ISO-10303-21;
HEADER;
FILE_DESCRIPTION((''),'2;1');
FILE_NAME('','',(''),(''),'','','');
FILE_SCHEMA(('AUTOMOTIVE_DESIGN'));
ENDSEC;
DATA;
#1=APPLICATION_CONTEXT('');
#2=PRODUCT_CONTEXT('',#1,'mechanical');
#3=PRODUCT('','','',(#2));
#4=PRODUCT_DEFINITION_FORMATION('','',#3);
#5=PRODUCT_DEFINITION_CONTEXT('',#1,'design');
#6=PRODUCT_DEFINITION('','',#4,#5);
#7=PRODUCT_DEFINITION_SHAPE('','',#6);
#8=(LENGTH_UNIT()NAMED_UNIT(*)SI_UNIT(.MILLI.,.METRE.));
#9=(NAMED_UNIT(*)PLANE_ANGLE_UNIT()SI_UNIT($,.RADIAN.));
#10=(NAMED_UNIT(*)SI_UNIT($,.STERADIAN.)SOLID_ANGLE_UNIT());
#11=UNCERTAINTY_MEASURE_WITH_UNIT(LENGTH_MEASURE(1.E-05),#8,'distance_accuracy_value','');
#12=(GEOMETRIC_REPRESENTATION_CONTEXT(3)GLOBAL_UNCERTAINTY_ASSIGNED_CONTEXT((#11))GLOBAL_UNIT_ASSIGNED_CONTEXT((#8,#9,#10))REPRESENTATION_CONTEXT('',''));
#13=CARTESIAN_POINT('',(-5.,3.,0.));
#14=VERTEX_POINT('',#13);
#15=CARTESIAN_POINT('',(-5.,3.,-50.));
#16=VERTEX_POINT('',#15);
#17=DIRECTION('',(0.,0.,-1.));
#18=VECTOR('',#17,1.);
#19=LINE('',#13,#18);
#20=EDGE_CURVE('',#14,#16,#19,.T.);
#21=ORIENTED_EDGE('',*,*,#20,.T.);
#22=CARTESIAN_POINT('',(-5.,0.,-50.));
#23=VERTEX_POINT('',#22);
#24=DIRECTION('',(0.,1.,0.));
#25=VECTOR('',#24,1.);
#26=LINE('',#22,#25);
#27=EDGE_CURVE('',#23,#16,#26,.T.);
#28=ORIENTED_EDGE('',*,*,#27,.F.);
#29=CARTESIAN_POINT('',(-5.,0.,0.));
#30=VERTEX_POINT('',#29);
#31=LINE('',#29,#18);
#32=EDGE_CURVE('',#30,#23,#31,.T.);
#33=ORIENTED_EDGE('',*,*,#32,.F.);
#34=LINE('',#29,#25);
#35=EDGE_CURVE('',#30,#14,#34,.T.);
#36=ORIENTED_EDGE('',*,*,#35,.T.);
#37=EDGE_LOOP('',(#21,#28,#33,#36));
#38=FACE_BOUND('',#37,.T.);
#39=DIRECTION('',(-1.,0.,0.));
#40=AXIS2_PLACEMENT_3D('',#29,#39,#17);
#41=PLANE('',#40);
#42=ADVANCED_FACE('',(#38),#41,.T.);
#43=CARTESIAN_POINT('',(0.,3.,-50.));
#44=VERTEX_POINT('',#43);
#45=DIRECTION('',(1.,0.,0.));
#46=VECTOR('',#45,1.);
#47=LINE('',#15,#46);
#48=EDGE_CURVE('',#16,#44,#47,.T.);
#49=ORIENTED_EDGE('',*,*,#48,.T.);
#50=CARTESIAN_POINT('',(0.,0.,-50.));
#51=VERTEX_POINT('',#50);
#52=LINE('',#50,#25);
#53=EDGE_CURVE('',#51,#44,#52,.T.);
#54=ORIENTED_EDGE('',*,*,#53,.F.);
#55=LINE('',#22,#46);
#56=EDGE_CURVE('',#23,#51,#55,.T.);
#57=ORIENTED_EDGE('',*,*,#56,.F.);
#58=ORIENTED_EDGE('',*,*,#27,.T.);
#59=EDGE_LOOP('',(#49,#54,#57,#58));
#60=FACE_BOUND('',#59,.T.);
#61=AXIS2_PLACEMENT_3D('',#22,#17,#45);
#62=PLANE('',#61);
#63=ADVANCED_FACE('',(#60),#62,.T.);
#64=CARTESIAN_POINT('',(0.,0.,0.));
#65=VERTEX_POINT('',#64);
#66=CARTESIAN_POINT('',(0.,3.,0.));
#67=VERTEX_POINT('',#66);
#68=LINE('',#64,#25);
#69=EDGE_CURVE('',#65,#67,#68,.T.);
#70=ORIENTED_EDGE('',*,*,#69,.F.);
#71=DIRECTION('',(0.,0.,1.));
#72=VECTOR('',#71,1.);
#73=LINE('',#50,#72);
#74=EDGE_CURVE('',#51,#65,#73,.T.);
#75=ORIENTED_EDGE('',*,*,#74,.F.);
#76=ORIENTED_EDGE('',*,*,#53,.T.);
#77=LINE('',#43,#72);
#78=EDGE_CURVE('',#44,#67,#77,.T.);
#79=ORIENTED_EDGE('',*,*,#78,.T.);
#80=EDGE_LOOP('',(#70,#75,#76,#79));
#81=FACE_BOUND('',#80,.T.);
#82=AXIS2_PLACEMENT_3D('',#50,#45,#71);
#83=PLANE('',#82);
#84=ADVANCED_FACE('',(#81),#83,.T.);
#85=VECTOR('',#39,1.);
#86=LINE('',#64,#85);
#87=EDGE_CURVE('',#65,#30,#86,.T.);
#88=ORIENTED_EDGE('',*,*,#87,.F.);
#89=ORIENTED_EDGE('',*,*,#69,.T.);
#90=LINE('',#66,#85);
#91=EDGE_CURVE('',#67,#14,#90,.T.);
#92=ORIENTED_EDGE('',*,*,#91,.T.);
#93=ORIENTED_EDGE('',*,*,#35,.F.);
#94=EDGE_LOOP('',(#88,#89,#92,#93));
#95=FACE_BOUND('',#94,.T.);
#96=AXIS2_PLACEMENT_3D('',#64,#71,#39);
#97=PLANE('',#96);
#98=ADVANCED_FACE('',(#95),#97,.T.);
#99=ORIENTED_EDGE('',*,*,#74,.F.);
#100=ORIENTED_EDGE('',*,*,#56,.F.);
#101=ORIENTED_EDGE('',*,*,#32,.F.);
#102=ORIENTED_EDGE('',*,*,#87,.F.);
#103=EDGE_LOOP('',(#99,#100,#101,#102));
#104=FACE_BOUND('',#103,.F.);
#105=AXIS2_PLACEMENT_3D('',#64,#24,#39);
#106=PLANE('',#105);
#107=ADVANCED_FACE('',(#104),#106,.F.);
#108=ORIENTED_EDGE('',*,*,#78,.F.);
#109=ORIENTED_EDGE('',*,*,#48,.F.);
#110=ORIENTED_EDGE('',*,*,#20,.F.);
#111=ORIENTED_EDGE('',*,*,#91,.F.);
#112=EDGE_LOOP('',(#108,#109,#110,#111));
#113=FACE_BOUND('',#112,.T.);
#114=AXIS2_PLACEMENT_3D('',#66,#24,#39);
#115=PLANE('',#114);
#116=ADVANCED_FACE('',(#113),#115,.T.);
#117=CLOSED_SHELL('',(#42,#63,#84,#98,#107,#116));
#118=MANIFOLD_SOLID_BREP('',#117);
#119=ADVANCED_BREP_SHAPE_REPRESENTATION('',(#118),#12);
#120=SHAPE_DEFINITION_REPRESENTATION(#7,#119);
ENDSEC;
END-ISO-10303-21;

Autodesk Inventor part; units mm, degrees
ref_plane "YZ Plane" through (0, 0, 0) normal (1, 0, 0) x (0, 1, 0)
ref_plane "XZ Plane" through (0, 0, 0) normal (0, 1, 0) x (-1, 0, 0)
ref_plane "XY Plane" through (0, 0, 0) normal (0, 0, 1) x (1, 0, 0)
sketch "Sketch1" plane through (0, 0, 0) normal (0, 1, 0) x (-1, 0, 0)
  line L0 (0, 0) -> (5, 0)
  line L1 (5, 0) -> (5, -50)
  line L2 (5, -50) -> (0, -50)
  line L3 (0, -50) -> (0, 0)
  dimension "d0" = 5
  dimension "d1" = 50
extrude "Extrusion1" add sketch "Sketch1" along normal blind 3
properties part number "LevelingBar" material "Wood (Birch)"
